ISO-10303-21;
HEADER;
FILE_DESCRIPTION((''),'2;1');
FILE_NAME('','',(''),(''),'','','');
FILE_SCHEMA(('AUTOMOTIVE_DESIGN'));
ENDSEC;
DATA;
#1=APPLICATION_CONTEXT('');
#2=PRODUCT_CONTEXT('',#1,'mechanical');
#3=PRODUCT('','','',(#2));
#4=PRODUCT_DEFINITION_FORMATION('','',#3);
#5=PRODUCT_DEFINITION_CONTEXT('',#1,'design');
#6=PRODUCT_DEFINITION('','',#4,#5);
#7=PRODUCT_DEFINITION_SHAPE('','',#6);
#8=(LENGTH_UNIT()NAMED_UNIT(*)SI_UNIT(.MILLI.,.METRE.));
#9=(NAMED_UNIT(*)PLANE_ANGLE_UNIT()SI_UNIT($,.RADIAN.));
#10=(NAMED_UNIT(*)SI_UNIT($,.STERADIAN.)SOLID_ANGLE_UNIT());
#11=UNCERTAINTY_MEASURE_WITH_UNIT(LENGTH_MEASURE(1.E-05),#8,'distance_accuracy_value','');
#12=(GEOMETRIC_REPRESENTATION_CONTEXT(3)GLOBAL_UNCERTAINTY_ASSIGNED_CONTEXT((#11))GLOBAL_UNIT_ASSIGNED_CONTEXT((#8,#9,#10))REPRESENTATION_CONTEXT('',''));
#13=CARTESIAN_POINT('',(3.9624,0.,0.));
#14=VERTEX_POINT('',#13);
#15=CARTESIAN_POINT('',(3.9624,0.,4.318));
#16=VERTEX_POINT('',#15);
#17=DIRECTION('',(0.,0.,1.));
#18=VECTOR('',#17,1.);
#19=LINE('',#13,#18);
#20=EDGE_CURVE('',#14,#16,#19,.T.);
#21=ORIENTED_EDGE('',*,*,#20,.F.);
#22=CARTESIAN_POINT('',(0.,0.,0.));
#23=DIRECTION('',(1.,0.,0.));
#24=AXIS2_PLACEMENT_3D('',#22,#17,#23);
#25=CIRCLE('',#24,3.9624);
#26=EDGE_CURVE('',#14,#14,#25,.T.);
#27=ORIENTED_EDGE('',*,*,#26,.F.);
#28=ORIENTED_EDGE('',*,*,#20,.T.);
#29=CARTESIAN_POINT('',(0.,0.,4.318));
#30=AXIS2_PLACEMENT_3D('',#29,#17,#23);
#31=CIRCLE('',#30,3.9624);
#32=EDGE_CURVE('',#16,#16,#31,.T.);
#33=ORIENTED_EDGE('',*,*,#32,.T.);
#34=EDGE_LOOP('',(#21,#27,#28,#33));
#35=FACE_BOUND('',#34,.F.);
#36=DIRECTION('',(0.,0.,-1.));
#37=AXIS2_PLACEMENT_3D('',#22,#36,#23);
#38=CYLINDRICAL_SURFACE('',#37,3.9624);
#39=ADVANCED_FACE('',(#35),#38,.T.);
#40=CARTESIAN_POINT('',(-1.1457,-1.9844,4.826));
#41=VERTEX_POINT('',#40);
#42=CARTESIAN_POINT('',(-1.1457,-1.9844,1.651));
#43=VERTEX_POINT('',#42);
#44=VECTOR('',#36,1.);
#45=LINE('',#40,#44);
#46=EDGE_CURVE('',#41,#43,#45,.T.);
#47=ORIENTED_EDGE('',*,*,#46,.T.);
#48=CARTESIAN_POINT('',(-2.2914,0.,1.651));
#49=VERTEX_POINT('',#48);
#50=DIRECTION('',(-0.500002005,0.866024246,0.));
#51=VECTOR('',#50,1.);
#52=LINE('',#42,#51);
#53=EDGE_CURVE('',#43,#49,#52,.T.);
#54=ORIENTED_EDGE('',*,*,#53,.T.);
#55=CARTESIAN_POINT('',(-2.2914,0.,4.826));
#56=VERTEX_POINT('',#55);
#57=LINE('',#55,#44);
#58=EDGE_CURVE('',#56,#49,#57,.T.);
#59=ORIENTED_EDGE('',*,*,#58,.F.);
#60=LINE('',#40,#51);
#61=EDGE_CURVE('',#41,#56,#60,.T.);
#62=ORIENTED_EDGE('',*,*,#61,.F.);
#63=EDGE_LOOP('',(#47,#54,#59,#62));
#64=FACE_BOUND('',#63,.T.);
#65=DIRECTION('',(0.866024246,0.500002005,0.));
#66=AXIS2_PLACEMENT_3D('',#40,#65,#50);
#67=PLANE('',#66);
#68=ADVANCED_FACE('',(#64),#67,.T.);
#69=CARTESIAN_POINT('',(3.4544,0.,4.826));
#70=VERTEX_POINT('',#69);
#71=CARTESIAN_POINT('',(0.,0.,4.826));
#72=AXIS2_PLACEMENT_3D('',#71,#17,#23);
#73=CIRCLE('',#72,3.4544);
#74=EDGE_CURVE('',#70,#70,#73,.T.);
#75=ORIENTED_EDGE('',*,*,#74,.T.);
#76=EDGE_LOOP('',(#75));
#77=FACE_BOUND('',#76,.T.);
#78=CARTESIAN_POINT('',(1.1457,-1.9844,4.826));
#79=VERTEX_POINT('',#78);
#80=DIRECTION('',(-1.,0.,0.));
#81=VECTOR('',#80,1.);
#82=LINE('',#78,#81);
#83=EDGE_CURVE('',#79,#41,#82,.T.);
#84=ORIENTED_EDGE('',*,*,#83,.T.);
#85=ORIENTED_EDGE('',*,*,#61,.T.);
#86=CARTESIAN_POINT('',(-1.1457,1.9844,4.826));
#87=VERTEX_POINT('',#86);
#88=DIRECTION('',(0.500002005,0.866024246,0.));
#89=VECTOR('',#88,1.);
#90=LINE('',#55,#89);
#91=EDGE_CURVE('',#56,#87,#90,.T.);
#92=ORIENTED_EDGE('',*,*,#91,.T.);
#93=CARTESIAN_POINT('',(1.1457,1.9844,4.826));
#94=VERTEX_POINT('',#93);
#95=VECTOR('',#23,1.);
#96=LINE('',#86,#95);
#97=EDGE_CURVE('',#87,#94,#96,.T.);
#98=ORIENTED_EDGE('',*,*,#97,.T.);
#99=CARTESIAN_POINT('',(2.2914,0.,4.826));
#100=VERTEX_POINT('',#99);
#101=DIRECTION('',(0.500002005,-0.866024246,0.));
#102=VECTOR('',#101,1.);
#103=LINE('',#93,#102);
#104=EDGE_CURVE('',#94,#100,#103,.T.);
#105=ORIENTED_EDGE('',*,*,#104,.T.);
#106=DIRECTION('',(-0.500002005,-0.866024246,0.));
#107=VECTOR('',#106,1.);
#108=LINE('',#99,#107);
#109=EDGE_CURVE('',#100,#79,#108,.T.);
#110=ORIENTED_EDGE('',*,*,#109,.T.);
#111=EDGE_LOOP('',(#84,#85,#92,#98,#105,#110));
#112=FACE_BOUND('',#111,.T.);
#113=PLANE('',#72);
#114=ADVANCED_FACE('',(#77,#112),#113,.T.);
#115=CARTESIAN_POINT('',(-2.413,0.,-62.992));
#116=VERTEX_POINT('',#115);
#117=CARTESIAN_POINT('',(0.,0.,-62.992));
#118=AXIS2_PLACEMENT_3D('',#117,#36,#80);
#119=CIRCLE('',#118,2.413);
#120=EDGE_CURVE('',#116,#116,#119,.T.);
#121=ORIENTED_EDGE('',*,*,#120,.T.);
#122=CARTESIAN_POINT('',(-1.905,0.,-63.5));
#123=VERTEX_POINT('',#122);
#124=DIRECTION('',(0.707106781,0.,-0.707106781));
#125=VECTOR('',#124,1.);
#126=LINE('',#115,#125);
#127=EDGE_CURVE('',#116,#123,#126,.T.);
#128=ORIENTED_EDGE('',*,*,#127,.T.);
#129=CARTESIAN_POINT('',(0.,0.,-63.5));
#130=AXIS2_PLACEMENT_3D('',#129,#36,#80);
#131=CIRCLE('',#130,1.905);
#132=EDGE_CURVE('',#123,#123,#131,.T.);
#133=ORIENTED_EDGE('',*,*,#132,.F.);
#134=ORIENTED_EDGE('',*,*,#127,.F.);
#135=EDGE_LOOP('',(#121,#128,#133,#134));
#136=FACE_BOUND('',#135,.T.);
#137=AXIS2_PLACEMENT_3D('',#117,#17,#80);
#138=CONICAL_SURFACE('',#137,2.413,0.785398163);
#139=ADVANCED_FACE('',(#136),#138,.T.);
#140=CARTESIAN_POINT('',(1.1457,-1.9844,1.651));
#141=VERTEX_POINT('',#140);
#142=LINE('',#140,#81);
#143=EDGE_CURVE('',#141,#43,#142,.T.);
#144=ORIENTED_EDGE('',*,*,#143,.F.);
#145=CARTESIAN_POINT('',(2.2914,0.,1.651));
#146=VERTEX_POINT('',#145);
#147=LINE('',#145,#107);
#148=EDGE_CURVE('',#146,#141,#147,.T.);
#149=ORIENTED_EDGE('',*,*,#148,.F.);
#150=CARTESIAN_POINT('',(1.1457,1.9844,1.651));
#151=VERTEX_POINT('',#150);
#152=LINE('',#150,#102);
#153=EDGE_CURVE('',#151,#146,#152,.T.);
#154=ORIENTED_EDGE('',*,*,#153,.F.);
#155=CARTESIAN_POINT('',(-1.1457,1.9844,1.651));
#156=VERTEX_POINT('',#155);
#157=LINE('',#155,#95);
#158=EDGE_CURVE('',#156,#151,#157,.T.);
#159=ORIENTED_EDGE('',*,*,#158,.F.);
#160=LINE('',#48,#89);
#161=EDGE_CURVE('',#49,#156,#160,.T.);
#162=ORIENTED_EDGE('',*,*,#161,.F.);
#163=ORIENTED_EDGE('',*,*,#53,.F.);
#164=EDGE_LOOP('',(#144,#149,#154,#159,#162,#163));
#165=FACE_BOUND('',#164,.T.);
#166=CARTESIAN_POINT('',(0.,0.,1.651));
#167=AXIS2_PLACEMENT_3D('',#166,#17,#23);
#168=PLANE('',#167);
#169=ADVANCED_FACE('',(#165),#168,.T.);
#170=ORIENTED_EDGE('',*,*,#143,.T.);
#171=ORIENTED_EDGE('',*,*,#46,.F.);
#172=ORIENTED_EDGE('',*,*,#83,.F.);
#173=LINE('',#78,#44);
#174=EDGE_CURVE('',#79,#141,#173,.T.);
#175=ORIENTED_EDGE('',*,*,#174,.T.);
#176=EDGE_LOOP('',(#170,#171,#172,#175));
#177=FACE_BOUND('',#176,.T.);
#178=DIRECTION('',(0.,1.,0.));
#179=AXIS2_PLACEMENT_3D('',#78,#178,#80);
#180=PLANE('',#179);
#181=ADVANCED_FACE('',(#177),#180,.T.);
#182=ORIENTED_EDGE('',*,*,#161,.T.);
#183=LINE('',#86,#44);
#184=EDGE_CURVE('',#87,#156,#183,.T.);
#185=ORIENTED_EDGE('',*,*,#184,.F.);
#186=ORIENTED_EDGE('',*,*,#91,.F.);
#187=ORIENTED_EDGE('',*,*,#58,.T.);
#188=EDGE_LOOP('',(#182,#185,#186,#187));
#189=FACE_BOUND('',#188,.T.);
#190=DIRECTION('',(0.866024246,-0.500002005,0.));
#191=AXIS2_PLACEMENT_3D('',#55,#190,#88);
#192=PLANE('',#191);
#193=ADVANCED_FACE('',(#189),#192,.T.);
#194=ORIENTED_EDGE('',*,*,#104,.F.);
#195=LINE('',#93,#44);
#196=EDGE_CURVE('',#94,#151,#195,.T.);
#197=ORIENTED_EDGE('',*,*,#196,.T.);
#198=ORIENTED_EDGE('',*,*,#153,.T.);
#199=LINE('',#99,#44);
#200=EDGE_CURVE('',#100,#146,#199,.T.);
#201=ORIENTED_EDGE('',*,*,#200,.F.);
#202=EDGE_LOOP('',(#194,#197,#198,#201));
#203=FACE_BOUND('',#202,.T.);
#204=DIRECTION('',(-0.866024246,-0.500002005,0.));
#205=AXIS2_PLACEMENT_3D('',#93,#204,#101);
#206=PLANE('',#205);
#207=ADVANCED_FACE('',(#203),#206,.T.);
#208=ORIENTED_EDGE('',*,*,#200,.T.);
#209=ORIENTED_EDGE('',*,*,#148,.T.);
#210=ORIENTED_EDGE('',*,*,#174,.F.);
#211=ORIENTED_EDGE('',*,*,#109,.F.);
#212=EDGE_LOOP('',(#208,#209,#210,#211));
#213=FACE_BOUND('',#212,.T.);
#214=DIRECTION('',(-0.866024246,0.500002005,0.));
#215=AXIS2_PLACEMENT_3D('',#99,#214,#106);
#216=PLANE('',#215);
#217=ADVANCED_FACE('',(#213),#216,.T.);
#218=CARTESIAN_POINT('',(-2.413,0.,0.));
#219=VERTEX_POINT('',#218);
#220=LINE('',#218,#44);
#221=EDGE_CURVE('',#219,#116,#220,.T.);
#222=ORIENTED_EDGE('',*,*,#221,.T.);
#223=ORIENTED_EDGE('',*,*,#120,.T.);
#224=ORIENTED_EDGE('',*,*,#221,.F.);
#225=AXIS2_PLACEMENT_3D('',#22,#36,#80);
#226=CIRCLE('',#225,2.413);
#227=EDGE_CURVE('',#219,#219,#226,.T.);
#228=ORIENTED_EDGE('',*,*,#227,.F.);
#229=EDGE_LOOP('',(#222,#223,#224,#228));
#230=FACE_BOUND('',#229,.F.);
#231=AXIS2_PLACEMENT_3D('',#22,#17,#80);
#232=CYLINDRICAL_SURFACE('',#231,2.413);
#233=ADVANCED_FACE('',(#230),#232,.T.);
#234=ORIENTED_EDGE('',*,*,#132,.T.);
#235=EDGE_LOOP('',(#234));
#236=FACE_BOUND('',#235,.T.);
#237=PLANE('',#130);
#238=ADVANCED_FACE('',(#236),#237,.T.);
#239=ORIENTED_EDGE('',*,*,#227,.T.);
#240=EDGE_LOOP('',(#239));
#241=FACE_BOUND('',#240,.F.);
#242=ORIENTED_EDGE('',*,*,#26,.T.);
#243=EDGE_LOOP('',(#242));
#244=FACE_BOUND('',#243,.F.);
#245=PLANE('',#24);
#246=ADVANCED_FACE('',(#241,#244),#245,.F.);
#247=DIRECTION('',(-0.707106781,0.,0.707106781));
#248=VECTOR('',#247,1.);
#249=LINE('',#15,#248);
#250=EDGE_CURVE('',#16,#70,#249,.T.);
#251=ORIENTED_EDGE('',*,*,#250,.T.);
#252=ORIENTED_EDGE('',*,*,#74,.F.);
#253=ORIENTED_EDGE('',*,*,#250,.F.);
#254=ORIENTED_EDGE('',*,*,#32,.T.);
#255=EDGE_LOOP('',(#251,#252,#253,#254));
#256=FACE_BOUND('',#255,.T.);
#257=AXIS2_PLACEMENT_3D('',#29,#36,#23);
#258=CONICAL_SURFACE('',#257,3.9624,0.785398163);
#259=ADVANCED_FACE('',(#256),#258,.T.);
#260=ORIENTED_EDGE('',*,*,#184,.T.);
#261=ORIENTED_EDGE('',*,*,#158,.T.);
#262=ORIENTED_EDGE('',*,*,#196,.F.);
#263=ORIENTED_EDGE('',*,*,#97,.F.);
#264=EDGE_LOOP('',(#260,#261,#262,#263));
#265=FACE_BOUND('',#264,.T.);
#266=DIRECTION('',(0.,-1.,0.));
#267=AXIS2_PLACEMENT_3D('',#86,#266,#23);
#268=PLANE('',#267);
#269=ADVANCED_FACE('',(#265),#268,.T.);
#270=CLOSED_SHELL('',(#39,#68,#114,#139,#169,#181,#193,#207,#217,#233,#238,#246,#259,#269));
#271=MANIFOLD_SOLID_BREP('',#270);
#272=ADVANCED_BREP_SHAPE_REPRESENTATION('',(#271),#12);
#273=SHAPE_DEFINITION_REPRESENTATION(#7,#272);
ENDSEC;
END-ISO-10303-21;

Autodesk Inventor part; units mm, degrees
ref_plane "YZ Plane" through (0, 0, 0) normal (1, 0, 0) x (0, 1, 0)
ref_plane "XZ Plane" through (0, 0, 0) normal (0, 1, 0) x (-1, 0, 0)
ref_plane "XY Plane" through (0, 0, 0) normal (0, 0, 1) x (1, 0, 0)
sketch "Sketch1" plane through (0, 0, 0) normal (0, 0, 1) x (1, 0, 0)
  circle A0 centre (0, 0) radius 3.9624
  dimension "d0" = 7.9248
extrude "Extrusion1" add sketch "Sketch1" along normal blind 4.826
sketch "Sketch2" plane through (0, 0, 0) normal (0, 0, -1) x (-1, 0, 0)
  circle A0 centre (0, 0) radius 3.9624 projected
  circle A1 centre (0, 0) radius 2.413
  dimension "d3" = 4.826
extrude "Extrusion2" add sketch "Sketch2" along normal blind 63.5 contours A1
sketch "Sketch3" plane through (0, 0, 4.826) normal (0, 0, 1) x (1, 0, 0)
  circle A0 centre (0, 0) radius 3.9624 projected
  line L0 (-1.1457, 1.9844) -> (1.1457, 1.9844)
  line L1 (1.1457, 1.9844) -> (2.2914, 0)
  line L2 (2.2914, 0) -> (1.1457, -1.9844)
  line L3 (1.1457, -1.9844) -> (-1.1457, -1.9844)
  line L4 (-1.1457, -1.9844) -> (-2.2914, 0)
  line L5 (-2.2914, 0) -> (-1.1457, 1.9844)
  dimension "d6" = 3.9688
extrude "Extrusion3" cut sketch "Sketch3" against normal blind 3.175 contours L0 L1 L2 L3 L4 L5
thread "Thread1" size "10-32 UNF" class "2A" standard "ANSI Unified Screw Threads" length 25.4
chamfer "Chamfer1" distance 0.508 angle 45 1 edges at (2.413, 0, -63.5)
chamfer "Chamfer2" distance 0.508 angle 45 1 edges at (-3.9624, 0, 4.826)
properties part number "10-32 x1000" material "Steel"
